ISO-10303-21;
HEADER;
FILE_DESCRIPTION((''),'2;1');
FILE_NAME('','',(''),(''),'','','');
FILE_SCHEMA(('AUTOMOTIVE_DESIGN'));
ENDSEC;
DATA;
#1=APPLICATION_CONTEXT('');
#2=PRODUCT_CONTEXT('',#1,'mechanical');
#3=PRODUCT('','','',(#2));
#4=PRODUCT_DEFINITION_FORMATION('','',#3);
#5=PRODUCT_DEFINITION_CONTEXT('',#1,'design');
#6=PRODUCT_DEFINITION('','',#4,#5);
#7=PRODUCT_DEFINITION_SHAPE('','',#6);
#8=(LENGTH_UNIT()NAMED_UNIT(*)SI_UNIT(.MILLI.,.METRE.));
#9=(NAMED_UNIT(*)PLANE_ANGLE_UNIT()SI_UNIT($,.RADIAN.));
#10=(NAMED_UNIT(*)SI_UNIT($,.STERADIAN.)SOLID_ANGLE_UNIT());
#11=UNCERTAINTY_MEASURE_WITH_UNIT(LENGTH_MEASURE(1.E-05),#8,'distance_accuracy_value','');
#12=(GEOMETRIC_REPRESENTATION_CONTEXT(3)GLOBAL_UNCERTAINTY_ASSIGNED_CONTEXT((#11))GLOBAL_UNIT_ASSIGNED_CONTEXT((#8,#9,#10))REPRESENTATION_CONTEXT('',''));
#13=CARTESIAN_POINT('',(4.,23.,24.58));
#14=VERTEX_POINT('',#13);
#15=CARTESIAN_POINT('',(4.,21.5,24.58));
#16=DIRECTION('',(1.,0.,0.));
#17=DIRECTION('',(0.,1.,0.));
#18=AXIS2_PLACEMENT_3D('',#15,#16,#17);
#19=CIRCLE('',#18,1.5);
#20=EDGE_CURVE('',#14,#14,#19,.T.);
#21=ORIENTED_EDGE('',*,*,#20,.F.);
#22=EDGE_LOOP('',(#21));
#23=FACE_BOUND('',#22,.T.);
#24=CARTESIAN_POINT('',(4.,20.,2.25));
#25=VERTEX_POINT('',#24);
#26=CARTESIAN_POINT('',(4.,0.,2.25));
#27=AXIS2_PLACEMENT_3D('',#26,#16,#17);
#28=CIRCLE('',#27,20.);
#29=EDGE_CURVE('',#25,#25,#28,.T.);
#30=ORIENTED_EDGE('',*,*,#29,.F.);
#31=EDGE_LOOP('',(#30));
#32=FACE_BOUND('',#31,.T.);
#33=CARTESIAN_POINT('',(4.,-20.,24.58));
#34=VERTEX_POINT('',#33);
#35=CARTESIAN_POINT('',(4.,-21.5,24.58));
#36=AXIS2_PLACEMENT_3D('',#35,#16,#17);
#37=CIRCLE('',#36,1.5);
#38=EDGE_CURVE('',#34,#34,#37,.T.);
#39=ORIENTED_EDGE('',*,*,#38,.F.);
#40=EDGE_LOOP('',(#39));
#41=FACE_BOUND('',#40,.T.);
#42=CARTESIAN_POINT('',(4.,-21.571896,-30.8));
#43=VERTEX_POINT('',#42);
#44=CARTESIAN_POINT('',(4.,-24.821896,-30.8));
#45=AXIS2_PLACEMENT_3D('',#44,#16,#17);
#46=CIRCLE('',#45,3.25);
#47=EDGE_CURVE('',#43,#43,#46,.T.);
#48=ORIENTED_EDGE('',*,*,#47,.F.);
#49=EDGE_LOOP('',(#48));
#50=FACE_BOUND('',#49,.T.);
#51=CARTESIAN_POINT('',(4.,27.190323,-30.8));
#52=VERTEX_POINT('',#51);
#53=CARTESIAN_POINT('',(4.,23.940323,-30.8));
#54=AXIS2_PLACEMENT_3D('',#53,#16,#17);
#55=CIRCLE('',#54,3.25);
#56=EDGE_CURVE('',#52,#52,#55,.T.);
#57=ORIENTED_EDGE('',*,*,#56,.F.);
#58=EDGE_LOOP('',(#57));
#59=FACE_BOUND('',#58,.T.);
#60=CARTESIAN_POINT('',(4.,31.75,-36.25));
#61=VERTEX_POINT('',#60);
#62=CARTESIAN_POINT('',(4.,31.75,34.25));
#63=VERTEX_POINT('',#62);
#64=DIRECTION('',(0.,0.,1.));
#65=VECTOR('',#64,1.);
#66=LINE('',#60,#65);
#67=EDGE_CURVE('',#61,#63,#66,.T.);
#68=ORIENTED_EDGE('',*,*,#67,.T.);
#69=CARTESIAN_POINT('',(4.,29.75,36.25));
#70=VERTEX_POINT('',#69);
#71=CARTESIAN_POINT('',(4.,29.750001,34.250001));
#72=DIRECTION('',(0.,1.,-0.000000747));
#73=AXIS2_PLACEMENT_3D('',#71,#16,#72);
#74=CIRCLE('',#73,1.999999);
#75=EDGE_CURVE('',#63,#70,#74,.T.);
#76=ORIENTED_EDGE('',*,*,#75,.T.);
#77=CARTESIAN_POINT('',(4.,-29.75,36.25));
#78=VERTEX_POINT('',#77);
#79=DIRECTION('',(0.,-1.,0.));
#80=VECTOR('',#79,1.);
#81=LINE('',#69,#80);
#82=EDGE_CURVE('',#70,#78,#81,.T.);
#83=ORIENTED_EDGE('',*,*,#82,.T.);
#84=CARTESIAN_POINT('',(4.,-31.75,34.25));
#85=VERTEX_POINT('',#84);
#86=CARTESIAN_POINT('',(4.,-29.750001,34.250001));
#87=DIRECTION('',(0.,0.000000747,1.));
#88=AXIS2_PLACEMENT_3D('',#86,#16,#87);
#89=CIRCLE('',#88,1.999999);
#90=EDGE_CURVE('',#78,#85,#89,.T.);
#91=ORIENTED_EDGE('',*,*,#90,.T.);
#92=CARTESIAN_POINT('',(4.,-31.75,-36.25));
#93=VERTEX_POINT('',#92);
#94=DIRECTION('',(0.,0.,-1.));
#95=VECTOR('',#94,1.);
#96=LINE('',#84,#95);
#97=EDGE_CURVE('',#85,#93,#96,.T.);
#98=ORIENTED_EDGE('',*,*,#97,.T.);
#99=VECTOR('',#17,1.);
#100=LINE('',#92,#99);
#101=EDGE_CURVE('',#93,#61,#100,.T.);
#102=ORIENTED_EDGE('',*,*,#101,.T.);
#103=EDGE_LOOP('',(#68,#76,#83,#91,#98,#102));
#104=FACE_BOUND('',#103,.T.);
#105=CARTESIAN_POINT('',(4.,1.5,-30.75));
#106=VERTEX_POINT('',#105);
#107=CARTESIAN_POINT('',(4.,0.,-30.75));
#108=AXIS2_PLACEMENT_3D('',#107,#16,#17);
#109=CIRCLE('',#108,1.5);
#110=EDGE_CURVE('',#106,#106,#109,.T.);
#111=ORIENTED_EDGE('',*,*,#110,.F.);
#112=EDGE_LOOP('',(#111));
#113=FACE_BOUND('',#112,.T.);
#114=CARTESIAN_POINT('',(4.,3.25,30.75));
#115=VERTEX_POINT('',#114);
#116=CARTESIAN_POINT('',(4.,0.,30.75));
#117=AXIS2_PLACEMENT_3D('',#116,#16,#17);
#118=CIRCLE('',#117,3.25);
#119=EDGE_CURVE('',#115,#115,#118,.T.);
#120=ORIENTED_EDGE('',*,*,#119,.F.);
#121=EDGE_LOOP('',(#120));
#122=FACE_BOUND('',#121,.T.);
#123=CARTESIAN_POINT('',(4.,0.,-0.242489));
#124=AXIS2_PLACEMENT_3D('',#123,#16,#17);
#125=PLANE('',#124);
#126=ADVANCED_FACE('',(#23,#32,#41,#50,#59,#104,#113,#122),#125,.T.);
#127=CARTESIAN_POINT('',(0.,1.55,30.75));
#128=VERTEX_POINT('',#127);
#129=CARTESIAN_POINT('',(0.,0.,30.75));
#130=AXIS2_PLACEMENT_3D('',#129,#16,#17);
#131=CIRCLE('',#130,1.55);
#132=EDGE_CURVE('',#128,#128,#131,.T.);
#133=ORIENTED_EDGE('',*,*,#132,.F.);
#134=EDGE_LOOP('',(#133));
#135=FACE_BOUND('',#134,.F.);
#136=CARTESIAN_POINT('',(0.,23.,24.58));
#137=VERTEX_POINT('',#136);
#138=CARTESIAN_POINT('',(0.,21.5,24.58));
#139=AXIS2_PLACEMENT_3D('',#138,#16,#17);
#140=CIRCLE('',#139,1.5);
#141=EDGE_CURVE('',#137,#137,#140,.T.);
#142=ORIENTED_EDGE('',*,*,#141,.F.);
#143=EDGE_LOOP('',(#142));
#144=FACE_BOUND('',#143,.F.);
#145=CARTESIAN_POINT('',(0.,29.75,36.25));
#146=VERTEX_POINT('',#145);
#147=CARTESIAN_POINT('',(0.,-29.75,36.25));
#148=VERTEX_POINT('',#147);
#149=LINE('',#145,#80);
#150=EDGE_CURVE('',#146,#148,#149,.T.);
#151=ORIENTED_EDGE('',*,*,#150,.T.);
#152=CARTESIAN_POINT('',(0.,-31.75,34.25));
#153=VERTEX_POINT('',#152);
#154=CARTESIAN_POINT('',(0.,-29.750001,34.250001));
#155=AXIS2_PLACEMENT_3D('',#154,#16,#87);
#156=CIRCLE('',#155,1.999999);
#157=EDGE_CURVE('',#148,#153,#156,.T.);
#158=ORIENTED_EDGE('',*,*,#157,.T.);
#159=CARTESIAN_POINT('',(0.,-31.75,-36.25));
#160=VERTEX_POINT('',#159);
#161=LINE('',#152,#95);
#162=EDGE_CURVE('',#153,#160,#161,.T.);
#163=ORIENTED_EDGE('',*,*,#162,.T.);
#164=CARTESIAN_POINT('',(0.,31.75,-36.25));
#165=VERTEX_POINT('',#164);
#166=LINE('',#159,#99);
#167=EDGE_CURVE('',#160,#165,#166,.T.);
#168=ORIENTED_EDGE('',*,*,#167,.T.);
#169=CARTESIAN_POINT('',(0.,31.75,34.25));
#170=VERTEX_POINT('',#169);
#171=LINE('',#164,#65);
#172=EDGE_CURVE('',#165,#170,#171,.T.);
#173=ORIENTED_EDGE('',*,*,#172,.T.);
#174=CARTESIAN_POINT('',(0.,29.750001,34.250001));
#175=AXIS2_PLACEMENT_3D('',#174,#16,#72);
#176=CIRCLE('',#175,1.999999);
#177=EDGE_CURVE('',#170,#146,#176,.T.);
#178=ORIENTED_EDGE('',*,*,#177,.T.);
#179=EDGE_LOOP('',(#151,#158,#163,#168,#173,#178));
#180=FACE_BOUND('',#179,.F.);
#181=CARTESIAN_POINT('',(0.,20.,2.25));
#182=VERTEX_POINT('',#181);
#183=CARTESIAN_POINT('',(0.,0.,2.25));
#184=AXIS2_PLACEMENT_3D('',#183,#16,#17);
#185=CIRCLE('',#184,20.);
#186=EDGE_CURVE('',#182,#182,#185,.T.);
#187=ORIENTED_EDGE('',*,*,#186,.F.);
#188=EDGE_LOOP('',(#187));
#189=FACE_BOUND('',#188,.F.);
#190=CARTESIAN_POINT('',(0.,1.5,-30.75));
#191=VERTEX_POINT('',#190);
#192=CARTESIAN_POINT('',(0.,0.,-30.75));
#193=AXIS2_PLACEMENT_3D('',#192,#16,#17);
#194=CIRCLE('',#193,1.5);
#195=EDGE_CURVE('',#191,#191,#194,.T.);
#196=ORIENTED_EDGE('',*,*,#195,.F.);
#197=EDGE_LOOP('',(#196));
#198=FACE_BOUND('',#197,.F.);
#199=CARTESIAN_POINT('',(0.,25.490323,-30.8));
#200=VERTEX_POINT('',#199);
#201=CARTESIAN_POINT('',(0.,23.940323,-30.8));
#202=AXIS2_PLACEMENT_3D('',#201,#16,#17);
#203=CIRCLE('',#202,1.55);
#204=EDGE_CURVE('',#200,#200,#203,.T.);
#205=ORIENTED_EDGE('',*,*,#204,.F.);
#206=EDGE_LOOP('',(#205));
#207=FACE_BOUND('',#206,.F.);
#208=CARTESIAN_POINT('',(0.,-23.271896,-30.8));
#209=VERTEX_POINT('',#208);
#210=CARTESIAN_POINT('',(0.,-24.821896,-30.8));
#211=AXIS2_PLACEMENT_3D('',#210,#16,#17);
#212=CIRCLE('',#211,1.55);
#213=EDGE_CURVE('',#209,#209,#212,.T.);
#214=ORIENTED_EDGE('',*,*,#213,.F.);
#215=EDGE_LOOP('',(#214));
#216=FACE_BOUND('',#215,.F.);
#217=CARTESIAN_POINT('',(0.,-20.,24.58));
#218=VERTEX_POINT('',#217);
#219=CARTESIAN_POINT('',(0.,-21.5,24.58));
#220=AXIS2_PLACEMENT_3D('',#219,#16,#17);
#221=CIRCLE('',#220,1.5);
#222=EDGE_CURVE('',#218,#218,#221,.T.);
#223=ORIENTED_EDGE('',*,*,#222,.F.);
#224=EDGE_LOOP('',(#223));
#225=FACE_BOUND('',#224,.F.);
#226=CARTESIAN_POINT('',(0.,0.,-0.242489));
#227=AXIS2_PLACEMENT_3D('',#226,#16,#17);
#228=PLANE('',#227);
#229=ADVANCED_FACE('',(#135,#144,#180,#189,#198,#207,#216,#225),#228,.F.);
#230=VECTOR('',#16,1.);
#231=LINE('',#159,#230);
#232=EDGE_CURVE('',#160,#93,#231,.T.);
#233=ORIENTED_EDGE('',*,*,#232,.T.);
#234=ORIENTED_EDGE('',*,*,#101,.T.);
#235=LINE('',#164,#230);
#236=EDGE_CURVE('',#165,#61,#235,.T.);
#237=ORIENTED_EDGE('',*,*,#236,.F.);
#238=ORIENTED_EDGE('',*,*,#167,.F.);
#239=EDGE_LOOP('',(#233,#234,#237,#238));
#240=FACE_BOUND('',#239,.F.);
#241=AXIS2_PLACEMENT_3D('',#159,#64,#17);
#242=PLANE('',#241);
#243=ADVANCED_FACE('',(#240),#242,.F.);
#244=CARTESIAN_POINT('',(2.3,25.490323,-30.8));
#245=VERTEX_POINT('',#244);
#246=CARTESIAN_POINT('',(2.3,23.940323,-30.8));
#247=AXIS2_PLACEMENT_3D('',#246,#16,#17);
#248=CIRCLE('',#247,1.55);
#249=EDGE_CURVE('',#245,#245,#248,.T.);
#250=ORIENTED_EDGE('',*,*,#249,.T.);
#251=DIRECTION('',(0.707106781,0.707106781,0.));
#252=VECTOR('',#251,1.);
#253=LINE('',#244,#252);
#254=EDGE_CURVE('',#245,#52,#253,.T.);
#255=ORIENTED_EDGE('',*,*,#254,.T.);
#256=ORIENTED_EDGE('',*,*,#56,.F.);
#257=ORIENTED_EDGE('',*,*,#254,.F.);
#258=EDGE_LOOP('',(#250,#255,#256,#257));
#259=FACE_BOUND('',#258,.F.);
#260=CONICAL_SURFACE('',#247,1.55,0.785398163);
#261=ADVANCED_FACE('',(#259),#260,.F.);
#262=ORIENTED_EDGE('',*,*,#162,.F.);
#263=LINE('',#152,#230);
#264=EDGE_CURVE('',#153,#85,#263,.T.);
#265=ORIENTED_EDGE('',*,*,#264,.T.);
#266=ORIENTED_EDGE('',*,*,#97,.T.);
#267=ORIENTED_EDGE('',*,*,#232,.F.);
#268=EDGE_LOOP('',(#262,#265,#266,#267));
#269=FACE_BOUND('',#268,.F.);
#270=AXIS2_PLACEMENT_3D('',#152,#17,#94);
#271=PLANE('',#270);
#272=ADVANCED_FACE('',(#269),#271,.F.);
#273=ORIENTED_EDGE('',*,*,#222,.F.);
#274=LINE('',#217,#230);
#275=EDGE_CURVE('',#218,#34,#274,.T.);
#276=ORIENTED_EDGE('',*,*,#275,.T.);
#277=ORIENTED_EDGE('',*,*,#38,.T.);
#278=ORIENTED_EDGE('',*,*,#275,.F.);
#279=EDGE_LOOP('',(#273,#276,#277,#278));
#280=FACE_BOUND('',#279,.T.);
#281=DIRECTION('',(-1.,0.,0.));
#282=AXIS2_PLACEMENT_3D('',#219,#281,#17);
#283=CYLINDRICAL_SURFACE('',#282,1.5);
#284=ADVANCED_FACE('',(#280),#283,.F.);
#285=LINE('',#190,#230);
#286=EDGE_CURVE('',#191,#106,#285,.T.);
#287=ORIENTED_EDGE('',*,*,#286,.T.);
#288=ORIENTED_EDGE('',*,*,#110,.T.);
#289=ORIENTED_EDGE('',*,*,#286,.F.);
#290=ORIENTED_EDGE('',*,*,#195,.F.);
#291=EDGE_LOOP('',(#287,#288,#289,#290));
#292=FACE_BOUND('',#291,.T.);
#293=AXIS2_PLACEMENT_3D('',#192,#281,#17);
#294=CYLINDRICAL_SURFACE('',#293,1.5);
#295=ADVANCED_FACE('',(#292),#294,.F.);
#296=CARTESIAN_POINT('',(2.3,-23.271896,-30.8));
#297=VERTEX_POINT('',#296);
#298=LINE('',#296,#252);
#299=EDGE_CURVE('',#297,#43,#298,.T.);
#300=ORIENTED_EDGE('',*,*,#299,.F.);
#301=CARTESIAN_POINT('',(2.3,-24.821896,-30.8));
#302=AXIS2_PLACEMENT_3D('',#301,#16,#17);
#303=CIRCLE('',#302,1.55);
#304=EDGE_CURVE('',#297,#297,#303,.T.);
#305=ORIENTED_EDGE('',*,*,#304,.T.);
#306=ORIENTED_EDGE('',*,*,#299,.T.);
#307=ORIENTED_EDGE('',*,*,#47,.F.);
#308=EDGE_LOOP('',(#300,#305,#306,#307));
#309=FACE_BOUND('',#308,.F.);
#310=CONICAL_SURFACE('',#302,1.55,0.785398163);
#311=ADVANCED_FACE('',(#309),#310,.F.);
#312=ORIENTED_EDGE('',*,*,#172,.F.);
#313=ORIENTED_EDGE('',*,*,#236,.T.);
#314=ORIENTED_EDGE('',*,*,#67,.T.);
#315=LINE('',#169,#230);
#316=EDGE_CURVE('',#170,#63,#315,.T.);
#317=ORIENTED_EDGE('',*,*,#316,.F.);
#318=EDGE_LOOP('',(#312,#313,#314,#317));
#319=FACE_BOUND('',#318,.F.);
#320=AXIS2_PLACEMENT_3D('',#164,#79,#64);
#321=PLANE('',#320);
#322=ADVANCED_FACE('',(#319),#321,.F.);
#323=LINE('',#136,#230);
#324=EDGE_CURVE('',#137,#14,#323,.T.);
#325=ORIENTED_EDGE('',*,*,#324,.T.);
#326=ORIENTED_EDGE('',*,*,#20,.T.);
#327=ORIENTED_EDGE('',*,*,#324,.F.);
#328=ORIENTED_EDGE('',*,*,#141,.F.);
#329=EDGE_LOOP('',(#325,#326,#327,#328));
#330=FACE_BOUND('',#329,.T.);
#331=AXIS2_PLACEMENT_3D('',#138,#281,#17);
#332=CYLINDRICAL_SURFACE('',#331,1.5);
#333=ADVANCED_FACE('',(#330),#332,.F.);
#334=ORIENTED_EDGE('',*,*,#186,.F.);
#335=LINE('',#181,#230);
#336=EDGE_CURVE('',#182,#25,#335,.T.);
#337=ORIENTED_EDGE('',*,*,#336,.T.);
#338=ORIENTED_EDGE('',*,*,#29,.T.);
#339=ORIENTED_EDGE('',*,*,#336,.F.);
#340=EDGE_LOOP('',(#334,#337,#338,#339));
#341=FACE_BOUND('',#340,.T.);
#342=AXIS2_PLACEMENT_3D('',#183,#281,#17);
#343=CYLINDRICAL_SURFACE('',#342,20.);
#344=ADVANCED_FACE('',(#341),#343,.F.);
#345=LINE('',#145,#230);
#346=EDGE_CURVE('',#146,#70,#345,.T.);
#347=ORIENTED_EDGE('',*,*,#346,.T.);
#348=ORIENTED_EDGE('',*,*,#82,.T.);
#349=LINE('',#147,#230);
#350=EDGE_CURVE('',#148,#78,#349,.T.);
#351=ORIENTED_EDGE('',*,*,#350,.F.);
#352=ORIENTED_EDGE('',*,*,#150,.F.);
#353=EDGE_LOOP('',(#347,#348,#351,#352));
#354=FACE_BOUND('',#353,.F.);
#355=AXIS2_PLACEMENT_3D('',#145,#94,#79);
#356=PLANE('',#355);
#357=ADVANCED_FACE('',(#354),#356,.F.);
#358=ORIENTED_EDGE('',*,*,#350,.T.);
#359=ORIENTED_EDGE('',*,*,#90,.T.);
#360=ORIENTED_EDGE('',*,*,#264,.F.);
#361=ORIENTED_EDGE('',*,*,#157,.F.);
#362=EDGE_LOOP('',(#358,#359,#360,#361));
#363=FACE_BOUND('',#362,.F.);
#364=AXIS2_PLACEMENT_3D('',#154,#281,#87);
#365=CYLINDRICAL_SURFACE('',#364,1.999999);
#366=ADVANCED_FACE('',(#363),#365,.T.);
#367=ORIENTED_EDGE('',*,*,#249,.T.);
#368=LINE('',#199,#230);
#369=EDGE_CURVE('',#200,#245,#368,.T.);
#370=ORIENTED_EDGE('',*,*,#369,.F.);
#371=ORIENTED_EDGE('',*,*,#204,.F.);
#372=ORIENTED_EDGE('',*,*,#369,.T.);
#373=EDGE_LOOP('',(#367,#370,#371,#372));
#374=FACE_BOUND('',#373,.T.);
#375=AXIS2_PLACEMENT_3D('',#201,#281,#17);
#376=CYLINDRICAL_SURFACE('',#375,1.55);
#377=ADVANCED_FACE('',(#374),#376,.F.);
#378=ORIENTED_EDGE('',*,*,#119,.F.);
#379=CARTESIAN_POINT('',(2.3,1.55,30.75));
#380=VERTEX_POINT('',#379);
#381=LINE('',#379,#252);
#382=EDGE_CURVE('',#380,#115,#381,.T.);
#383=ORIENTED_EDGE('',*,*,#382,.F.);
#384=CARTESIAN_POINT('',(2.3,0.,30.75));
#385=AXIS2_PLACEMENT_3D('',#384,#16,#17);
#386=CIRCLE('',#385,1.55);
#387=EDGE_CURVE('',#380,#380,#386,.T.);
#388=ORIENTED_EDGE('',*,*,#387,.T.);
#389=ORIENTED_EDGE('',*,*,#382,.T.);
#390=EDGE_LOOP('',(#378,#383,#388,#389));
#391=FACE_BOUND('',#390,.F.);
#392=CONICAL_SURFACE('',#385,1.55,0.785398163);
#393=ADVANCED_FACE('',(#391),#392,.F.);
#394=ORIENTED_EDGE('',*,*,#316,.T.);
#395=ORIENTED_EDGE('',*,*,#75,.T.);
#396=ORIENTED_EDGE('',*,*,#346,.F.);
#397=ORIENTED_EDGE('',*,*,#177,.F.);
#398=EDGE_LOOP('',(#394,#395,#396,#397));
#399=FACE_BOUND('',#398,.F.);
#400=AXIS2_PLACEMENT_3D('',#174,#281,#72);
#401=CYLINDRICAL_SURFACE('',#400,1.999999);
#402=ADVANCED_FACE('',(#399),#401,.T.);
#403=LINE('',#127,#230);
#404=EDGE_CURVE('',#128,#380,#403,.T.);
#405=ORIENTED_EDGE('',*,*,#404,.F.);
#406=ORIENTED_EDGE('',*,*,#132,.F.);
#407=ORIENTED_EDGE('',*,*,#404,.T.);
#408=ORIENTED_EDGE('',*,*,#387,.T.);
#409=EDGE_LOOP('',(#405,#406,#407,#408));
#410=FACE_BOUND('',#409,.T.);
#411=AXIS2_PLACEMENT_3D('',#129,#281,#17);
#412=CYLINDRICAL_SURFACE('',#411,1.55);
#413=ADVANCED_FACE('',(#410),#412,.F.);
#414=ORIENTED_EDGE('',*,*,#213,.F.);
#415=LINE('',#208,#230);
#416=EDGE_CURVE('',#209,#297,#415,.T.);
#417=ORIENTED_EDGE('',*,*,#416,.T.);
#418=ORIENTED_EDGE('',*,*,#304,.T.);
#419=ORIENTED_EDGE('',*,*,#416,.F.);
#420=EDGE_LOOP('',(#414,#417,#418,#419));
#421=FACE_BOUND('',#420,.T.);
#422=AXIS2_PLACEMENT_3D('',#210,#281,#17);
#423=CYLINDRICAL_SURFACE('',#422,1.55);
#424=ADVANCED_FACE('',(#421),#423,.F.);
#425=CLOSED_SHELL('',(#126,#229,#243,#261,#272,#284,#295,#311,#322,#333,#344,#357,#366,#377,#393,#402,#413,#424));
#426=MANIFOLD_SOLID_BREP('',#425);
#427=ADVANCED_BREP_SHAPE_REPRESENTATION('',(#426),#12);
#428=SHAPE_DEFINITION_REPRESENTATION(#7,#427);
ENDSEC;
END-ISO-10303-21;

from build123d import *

# Parameters (mm, degrees)
F0_R     = 1.55
F0_R_2   = 1.5
F0_R_3   = 20
F1_DEPTH = 4
F2_SIZE  = 1.7


with BuildPart() as f1:
    # F0 (on Right) → F1 (new body)
    with BuildSketch(Plane.YZ):
        with BuildLine():
            ThreePointArc((31.75, 34.25), (31.164214, 35.664214), (29.75, 36.25))
            Line((29.75, 36.25), (-29.75, 36.25))
            ThreePointArc((-29.75, 36.25), (-31.164214, 35.664214), (-31.75, 34.25))
            Line((-31.75, 34.25), (-31.75, -36.25))
            Line((-31.75, -36.25), (31.75, -36.25))
            Line((31.75, -36.25), (31.75, 34.25))
        make_face()
        with Locations((-24.821896, -30.8)):
            Circle(F0_R, mode=Mode.SUBTRACT)
        with Locations((0, -30.75)):
            Circle(F0_R_2, mode=Mode.SUBTRACT)
        with Locations((23.940323, -30.8)):
            Circle(F0_R, mode=Mode.SUBTRACT)
        with Locations((-21.5, 24.58)):
            Circle(F0_R_2, mode=Mode.SUBTRACT)
        with Locations((0, 2.25)):
            Circle(F0_R_3, mode=Mode.SUBTRACT)
        with Locations((0, 30.75)):
            Circle(F0_R, mode=Mode.SUBTRACT)
        with Locations((21.5, 24.58)):
            Circle(F0_R_2, mode=Mode.SUBTRACT)
    extrude(amount=F1_DEPTH)

    # F2
    f2_edges = [f1.edges().sort_by_distance(p)[0] for p in [
        (4, -26.371896, -30.8),
        (4, 22.390323, -30.8),
        (4, -1.55, 30.75),
    ]]
    chamfer(f2_edges, length=F2_SIZE)


solid = f1.part
